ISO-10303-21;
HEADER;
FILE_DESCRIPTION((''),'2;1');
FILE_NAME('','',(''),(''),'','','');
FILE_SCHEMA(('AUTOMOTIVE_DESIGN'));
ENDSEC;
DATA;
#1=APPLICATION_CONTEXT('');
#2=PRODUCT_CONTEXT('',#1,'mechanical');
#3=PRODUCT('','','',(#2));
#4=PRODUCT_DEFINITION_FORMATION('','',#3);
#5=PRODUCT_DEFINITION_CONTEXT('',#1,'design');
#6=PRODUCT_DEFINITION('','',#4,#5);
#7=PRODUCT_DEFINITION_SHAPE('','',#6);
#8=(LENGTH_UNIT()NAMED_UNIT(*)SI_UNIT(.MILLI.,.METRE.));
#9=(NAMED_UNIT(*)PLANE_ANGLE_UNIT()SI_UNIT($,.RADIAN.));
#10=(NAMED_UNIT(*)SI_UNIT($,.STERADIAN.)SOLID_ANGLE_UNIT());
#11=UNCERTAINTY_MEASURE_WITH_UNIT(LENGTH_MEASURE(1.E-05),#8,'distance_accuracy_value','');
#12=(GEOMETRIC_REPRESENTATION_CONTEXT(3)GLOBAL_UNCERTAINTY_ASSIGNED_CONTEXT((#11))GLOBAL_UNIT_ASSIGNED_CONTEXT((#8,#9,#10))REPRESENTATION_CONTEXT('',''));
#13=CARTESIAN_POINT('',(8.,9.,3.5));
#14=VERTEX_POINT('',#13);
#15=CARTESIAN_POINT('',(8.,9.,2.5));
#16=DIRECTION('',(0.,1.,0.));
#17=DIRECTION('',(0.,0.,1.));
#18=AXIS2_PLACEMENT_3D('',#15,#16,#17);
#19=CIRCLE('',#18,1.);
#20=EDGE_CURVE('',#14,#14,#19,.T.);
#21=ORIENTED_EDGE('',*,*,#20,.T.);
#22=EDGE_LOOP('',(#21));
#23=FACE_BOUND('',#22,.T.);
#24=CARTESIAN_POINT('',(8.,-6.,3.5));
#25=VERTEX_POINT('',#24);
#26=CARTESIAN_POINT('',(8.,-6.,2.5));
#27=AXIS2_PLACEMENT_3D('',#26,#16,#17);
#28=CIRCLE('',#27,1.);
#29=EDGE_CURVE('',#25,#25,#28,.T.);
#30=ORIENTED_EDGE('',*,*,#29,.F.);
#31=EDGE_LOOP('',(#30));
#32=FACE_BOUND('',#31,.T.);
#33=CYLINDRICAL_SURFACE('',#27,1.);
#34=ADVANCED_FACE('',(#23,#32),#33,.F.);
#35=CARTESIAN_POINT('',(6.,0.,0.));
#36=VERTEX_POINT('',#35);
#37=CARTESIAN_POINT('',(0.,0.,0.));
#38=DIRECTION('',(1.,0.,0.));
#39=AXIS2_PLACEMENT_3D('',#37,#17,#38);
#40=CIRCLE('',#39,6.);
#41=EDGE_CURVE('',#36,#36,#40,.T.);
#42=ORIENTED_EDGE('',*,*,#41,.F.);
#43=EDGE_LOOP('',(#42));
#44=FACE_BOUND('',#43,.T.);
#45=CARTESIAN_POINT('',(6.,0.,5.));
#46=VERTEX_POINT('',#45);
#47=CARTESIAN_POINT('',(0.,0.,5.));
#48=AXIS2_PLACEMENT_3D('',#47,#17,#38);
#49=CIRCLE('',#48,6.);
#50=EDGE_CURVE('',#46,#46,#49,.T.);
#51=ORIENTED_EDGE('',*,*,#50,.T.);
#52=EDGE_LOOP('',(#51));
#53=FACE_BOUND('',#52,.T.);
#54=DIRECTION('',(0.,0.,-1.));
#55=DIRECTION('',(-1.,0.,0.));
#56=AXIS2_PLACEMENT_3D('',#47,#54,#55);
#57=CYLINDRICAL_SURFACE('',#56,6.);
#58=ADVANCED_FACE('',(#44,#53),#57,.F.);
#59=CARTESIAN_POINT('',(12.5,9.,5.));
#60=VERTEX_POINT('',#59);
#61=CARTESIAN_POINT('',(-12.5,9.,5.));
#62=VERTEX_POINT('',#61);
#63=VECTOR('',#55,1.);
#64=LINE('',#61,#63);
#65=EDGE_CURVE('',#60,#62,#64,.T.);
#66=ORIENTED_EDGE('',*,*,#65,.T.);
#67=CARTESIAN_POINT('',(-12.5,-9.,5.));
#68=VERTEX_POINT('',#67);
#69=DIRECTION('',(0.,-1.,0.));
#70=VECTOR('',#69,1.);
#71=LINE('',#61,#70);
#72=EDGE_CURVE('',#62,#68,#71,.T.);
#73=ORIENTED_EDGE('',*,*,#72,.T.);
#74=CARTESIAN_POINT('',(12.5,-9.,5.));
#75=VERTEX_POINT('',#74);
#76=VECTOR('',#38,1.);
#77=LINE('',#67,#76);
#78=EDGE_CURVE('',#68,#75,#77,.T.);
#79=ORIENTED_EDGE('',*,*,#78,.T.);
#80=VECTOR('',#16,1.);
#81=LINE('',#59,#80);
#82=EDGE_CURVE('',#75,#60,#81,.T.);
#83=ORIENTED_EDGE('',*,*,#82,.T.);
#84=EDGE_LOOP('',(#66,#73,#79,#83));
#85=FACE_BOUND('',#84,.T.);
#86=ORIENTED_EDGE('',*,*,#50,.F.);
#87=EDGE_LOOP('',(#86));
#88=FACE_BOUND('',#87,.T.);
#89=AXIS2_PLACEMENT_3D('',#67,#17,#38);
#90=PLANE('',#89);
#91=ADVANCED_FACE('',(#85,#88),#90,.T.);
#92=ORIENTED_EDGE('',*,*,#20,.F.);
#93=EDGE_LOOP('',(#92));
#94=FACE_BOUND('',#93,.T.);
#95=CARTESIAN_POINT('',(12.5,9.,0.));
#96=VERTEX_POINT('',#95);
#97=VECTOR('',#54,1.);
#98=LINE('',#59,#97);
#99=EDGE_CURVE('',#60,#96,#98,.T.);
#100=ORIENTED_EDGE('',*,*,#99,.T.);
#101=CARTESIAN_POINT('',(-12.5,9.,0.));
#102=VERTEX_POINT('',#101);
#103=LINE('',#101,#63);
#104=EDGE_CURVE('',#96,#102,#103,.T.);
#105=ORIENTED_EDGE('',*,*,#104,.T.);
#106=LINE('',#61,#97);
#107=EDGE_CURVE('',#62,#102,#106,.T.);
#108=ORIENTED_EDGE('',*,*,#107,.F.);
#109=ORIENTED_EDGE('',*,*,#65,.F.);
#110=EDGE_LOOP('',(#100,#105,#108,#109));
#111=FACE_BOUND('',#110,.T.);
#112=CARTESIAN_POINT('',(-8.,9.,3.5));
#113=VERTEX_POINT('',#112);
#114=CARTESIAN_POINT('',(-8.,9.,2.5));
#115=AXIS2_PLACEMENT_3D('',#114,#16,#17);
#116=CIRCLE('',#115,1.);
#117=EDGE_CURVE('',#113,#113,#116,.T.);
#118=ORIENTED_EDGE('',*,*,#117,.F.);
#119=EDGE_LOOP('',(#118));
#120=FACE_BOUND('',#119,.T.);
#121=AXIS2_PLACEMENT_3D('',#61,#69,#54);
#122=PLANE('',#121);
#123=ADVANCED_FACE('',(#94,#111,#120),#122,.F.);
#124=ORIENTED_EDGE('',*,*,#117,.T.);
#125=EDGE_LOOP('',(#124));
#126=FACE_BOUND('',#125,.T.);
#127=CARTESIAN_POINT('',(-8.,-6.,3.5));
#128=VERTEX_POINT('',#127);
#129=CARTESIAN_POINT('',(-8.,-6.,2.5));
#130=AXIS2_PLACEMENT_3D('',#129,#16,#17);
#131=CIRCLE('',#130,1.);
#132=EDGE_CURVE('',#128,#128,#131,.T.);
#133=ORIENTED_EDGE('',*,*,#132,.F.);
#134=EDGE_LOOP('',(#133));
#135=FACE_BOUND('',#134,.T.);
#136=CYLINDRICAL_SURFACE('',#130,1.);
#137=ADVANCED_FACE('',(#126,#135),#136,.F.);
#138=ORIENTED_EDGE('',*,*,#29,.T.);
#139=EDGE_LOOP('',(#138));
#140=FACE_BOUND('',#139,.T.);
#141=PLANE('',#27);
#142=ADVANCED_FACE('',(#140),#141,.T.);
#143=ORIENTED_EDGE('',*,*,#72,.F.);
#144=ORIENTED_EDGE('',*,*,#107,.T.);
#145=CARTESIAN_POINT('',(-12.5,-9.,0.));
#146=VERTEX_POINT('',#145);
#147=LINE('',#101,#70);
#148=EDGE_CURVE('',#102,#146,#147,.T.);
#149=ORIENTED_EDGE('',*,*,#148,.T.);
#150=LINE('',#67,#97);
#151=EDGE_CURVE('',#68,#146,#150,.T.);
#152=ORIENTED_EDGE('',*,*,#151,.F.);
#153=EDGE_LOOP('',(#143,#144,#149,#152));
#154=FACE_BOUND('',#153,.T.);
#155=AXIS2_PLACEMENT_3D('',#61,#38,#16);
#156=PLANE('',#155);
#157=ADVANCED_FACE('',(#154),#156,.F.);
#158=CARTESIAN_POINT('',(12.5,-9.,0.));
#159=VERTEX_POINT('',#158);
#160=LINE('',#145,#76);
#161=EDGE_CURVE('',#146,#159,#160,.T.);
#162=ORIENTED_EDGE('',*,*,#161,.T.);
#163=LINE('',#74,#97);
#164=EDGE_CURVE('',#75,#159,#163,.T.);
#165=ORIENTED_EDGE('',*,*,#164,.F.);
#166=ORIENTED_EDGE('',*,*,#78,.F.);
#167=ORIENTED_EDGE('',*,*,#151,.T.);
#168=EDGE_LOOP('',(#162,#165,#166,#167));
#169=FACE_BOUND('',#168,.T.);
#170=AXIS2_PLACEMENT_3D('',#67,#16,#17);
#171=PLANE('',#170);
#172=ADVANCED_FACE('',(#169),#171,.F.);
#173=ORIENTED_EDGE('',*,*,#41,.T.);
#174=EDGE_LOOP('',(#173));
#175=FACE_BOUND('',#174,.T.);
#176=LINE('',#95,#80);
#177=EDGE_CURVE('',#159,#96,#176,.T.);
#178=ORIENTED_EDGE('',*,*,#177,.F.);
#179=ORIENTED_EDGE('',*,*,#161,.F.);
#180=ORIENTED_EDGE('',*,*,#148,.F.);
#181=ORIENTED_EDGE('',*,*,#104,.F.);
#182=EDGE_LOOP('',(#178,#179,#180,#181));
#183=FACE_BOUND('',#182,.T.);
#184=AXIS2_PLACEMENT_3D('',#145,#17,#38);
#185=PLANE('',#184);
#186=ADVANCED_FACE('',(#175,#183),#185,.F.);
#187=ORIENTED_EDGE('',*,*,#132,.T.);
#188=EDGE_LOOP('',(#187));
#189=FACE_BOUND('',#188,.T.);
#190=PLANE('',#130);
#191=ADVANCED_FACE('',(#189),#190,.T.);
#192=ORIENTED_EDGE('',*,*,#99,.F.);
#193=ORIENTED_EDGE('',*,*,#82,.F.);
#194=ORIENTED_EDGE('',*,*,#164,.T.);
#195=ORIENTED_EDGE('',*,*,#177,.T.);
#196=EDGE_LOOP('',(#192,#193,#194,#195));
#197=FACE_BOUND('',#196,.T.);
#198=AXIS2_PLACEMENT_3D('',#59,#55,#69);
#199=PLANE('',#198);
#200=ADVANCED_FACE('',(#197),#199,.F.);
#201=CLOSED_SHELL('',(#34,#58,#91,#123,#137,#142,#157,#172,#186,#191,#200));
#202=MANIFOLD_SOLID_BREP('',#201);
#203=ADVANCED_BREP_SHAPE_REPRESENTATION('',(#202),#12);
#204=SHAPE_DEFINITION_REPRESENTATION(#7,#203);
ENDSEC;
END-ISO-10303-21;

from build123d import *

# Parameters (mm, degrees)
ESQUISSE1_W             = 25
ESQUISSE1_H             = 18
ESQUISSE1_R             = 6
BOSS_EXTRU_1_DEPTH      = 5
ESQUISSE2_R             = 1
ENL_V_MAT_EXTRU_1_DEPTH = 15


with BuildPart() as part:
    # Esquisse1 → Boss.-Extru.1 (new body)
    with BuildSketch(Plane.XY):
        Rectangle(ESQUISSE1_W, ESQUISSE1_H)
        Circle(ESQUISSE1_R, mode=Mode.SUBTRACT)
    extrude(amount=BOSS_EXTRU_1_DEPTH)

    # Esquisse2 → Enlèv. mat.-Extru.1 (cut)
    with BuildSketch(Plane(origin=(0, 9, 0), x_dir=(1, 0, 0), z_dir=(0, 1, 0))):
        with Locations((-8, -2.5)):
            Circle(ESQUISSE2_R)
        with Locations((8, -2.5)):
            Circle(ESQUISSE2_R)
    extrude(amount=-ENL_V_MAT_EXTRU_1_DEPTH, mode=Mode.SUBTRACT)


solid = part.part
